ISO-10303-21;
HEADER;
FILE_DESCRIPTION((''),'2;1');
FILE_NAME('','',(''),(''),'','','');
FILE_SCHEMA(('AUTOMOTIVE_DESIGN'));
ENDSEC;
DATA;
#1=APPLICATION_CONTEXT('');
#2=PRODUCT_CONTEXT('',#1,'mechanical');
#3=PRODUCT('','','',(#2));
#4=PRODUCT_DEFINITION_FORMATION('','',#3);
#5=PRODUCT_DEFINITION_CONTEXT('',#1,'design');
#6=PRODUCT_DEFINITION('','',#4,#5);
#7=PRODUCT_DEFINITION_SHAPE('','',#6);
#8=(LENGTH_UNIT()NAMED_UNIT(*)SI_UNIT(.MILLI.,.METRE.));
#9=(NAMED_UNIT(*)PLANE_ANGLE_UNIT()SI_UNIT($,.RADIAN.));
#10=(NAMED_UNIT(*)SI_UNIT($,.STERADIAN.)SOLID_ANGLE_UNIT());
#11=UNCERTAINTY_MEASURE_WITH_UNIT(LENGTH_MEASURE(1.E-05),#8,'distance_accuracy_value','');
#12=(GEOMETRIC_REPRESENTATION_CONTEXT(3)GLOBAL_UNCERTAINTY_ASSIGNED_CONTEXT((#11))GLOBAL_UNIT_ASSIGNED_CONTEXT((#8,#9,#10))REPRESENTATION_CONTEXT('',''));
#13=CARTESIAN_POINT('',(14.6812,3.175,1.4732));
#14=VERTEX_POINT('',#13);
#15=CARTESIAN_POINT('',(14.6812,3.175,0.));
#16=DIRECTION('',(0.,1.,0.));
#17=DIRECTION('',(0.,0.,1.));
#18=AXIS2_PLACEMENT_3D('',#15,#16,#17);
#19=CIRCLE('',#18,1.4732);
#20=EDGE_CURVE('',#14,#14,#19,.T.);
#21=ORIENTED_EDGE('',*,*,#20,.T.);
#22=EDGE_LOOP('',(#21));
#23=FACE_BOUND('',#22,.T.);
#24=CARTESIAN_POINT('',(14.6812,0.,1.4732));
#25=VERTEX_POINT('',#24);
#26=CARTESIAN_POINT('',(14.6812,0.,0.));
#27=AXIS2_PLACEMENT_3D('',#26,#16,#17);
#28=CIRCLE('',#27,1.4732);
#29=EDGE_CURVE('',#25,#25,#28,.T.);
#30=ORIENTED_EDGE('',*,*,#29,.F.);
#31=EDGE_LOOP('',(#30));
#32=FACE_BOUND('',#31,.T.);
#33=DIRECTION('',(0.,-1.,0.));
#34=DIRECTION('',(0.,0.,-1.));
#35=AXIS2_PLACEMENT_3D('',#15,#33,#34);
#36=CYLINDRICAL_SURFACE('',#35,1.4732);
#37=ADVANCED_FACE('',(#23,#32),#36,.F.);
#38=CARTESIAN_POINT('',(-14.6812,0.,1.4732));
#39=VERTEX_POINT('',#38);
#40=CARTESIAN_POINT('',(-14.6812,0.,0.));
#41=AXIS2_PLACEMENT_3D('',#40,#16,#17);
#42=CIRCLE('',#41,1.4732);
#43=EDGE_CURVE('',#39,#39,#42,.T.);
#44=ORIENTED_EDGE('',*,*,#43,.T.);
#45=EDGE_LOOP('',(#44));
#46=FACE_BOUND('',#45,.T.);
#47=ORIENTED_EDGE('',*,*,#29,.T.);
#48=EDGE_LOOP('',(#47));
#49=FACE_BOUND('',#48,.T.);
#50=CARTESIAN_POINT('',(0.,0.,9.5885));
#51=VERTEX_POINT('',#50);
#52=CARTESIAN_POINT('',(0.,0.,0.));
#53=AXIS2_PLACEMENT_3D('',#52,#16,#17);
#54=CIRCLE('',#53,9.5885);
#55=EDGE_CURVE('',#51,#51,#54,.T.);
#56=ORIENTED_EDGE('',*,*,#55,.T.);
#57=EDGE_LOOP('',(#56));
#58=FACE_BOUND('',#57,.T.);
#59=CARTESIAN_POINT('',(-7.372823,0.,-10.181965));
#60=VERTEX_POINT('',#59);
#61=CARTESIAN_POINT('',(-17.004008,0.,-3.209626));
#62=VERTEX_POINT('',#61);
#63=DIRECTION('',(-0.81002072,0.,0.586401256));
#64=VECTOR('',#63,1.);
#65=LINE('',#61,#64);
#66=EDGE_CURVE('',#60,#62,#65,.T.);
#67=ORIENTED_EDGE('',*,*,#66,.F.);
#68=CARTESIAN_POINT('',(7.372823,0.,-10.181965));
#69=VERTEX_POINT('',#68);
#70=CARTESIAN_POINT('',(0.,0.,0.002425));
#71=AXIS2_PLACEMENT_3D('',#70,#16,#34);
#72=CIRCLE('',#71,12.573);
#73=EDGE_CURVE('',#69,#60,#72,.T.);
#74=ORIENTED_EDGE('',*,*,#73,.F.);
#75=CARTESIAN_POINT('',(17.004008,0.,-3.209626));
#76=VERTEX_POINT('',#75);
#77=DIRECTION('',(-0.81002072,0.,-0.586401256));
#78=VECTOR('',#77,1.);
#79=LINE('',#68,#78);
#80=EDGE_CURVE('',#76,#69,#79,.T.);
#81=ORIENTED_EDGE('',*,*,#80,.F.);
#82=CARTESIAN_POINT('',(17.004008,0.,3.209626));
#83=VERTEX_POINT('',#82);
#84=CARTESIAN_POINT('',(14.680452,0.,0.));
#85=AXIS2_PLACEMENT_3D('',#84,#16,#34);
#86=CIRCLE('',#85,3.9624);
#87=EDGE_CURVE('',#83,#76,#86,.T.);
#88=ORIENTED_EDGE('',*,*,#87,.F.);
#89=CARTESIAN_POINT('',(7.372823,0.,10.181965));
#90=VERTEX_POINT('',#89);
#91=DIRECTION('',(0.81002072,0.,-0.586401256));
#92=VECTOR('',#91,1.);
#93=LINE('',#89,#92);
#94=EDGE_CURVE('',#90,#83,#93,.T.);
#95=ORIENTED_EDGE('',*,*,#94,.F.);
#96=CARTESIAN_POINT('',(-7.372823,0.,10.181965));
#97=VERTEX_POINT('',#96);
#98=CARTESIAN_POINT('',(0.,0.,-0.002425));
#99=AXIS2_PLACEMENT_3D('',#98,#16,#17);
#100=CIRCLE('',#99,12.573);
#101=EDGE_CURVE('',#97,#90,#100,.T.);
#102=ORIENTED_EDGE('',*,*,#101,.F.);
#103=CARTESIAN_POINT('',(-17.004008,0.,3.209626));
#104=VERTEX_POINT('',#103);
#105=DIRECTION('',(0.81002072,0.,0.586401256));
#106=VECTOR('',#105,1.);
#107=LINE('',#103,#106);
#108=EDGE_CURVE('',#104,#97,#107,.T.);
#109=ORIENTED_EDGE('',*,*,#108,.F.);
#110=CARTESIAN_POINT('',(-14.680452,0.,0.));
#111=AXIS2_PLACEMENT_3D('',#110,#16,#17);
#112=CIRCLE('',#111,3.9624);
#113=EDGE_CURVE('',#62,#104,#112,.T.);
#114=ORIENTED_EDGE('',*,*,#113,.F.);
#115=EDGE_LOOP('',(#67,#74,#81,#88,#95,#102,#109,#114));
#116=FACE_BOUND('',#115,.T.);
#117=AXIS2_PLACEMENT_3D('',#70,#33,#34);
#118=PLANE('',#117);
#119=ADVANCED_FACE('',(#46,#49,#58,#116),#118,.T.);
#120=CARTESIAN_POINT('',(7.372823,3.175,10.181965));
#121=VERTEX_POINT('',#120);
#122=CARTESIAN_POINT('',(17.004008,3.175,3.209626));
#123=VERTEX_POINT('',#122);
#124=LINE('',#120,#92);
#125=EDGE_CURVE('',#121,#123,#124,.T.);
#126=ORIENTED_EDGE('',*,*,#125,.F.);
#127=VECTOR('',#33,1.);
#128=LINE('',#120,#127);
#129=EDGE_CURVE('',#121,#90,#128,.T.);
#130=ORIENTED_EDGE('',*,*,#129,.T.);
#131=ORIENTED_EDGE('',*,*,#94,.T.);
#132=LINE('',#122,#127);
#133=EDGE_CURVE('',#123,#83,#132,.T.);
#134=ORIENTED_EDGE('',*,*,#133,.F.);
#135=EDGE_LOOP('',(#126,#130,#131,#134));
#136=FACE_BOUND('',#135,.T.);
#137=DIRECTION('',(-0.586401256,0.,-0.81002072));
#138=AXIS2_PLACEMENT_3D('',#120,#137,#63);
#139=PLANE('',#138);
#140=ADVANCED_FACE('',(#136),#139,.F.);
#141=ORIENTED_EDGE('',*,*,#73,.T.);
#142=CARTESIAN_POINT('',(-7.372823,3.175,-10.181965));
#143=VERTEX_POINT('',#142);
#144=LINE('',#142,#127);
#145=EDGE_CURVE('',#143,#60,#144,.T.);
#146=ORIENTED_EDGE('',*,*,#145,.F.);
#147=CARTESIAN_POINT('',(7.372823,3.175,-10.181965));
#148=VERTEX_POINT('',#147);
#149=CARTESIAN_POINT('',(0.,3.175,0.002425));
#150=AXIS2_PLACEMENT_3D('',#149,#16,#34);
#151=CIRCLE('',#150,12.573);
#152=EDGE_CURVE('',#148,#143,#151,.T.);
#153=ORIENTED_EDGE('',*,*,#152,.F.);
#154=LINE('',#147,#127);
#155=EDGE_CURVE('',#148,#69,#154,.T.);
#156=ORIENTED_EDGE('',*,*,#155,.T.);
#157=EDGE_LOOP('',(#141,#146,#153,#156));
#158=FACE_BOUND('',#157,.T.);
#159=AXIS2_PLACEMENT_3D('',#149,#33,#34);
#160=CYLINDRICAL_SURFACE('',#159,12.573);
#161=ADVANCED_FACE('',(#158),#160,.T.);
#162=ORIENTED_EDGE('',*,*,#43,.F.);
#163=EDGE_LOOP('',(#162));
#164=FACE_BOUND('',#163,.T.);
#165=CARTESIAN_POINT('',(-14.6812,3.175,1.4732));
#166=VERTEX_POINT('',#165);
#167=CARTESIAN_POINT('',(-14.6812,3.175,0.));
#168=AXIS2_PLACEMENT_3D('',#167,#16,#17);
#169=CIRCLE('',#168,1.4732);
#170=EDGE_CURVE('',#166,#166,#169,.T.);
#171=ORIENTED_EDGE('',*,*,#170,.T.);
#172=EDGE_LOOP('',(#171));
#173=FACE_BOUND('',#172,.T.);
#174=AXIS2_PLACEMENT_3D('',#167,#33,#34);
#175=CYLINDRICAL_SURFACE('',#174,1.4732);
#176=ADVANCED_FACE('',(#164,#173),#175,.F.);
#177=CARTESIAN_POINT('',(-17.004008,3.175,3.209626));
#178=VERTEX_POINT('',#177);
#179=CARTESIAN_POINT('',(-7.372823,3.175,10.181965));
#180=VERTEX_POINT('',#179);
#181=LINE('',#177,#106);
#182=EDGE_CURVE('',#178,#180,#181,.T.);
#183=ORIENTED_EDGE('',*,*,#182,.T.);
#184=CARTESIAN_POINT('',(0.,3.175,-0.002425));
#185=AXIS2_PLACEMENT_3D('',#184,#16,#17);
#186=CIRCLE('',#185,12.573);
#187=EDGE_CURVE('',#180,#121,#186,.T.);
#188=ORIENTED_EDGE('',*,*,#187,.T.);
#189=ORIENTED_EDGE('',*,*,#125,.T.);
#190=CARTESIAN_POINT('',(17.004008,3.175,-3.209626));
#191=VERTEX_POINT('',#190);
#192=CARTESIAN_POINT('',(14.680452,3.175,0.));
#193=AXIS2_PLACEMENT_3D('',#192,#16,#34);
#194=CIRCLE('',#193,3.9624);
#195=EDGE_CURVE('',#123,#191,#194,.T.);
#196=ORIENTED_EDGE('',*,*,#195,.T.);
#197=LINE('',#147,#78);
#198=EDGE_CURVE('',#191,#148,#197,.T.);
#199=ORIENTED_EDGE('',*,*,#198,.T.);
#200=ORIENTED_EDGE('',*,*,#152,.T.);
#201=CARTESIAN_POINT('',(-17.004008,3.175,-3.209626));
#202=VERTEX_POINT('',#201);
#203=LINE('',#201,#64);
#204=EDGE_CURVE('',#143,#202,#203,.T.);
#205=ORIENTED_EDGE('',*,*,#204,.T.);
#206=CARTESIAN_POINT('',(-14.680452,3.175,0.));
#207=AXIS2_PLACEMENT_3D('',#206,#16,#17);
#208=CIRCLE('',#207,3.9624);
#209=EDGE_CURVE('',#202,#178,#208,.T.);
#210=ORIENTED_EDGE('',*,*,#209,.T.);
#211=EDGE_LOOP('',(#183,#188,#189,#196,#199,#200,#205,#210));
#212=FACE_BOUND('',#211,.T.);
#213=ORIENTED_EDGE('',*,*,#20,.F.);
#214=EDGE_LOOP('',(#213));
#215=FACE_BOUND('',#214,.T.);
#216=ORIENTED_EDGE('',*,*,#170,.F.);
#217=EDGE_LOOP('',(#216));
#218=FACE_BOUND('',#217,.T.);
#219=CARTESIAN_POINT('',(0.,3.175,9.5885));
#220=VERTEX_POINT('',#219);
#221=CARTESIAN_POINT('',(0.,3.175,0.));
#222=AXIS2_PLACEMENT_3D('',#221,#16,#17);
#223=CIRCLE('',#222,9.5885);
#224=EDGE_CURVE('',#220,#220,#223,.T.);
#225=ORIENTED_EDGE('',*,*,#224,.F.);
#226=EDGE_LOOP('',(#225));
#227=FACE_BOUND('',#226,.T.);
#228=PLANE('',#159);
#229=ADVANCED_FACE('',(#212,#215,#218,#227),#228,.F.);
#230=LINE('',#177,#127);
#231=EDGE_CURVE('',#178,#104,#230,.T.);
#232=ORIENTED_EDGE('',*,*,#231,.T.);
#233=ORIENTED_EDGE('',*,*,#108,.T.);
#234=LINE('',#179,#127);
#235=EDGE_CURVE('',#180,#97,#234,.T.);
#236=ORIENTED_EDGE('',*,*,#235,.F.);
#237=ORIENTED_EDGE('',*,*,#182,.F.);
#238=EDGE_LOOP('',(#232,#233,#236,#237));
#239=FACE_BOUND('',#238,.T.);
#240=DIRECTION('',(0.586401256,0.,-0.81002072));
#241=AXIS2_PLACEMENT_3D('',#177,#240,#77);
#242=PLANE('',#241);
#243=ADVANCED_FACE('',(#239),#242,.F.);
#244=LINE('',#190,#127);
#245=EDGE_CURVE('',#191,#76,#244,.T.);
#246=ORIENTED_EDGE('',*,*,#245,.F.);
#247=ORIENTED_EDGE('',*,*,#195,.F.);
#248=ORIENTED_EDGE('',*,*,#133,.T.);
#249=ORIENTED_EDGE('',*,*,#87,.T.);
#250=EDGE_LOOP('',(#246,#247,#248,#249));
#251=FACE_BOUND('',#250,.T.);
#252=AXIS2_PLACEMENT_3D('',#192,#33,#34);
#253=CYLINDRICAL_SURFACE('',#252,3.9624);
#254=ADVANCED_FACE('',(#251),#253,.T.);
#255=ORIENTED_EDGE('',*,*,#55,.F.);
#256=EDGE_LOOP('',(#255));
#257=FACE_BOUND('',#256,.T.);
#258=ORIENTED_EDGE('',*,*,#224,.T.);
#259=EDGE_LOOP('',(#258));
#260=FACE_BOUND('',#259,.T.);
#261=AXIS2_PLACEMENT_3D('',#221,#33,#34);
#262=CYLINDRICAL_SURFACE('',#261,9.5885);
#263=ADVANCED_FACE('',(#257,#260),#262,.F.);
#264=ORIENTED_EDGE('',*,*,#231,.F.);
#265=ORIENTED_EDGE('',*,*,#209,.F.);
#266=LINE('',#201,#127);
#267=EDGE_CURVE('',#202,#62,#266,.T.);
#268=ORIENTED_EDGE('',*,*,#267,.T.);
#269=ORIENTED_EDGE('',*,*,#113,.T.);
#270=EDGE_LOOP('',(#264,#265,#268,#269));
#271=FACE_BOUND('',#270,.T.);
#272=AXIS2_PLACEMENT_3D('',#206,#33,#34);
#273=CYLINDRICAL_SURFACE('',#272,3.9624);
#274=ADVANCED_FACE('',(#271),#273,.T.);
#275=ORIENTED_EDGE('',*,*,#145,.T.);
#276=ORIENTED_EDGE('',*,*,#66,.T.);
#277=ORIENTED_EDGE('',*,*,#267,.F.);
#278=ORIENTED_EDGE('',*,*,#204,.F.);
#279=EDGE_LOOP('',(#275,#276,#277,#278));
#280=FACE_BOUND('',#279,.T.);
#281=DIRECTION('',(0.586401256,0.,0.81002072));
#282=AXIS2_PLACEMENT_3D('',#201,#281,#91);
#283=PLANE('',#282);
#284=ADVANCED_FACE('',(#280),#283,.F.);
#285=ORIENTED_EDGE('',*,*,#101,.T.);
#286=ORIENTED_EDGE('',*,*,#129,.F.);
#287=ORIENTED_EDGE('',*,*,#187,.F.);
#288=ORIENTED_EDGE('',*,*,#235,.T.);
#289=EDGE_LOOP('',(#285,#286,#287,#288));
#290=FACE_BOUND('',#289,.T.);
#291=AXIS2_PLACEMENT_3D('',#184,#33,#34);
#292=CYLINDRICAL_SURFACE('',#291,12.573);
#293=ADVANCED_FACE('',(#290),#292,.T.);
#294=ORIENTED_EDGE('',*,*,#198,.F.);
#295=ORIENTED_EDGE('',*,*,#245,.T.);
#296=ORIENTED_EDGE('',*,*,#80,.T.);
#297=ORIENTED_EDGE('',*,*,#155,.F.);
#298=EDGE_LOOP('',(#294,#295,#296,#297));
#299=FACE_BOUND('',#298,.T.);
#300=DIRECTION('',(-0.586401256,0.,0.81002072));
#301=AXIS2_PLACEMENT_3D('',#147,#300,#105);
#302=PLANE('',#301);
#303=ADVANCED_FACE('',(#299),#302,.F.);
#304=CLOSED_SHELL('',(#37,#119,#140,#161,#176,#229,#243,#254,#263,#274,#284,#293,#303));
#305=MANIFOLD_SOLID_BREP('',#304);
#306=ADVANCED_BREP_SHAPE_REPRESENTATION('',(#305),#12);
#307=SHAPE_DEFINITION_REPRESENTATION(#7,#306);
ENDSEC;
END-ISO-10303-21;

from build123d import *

# Parameters (mm, degrees)
SKETCH1_R           = 9.5885
SKETCH1_R_2         = 1.4732
BOSS_EXTRUDE1_DEPTH = 3.175


with BuildPart() as part:
    # Sketch1 → Boss-Extrude1 (new body)
    with BuildSketch(Plane(origin=(0, 0, 0), x_dir=(1, 0, 0), z_dir=(0, 1, 0))):
        with BuildLine():
            Line((-17.004008462, 3.209626101), (-7.372822991, 10.181965347))
            ThreePointArc((-7.372822991, 10.181965347), (0, 12.570574832), (7.372822991, 10.181965347))
            Line((7.372822991, 10.181965347), (17.004008462, 3.209626101))
            ThreePointArc((17.004008462, 3.209626101), (18.642852126, 0), (17.004008462, -3.209626101))
            Line((17.004008462, -3.209626101), (7.372822991, -10.181965347))
            ThreePointArc((7.372822991, -10.181965347), (0, -12.570574832), (-7.372822991, -10.181965347))
            Line((-7.372822991, -10.181965347), (-17.004008462, -3.209626101))
            ThreePointArc((-17.004008462, -3.209626101), (-18.642852126, 0), (-17.004008462, 3.209626101))
        make_face()
        Circle(SKETCH1_R, mode=Mode.SUBTRACT)
        with Locations((14.6812, 0)):
            Circle(SKETCH1_R_2, mode=Mode.SUBTRACT)
        with Locations((-14.6812, 0)):
            Circle(SKETCH1_R_2, mode=Mode.SUBTRACT)
    extrude(amount=BOSS_EXTRUDE1_DEPTH)


solid = part.part
